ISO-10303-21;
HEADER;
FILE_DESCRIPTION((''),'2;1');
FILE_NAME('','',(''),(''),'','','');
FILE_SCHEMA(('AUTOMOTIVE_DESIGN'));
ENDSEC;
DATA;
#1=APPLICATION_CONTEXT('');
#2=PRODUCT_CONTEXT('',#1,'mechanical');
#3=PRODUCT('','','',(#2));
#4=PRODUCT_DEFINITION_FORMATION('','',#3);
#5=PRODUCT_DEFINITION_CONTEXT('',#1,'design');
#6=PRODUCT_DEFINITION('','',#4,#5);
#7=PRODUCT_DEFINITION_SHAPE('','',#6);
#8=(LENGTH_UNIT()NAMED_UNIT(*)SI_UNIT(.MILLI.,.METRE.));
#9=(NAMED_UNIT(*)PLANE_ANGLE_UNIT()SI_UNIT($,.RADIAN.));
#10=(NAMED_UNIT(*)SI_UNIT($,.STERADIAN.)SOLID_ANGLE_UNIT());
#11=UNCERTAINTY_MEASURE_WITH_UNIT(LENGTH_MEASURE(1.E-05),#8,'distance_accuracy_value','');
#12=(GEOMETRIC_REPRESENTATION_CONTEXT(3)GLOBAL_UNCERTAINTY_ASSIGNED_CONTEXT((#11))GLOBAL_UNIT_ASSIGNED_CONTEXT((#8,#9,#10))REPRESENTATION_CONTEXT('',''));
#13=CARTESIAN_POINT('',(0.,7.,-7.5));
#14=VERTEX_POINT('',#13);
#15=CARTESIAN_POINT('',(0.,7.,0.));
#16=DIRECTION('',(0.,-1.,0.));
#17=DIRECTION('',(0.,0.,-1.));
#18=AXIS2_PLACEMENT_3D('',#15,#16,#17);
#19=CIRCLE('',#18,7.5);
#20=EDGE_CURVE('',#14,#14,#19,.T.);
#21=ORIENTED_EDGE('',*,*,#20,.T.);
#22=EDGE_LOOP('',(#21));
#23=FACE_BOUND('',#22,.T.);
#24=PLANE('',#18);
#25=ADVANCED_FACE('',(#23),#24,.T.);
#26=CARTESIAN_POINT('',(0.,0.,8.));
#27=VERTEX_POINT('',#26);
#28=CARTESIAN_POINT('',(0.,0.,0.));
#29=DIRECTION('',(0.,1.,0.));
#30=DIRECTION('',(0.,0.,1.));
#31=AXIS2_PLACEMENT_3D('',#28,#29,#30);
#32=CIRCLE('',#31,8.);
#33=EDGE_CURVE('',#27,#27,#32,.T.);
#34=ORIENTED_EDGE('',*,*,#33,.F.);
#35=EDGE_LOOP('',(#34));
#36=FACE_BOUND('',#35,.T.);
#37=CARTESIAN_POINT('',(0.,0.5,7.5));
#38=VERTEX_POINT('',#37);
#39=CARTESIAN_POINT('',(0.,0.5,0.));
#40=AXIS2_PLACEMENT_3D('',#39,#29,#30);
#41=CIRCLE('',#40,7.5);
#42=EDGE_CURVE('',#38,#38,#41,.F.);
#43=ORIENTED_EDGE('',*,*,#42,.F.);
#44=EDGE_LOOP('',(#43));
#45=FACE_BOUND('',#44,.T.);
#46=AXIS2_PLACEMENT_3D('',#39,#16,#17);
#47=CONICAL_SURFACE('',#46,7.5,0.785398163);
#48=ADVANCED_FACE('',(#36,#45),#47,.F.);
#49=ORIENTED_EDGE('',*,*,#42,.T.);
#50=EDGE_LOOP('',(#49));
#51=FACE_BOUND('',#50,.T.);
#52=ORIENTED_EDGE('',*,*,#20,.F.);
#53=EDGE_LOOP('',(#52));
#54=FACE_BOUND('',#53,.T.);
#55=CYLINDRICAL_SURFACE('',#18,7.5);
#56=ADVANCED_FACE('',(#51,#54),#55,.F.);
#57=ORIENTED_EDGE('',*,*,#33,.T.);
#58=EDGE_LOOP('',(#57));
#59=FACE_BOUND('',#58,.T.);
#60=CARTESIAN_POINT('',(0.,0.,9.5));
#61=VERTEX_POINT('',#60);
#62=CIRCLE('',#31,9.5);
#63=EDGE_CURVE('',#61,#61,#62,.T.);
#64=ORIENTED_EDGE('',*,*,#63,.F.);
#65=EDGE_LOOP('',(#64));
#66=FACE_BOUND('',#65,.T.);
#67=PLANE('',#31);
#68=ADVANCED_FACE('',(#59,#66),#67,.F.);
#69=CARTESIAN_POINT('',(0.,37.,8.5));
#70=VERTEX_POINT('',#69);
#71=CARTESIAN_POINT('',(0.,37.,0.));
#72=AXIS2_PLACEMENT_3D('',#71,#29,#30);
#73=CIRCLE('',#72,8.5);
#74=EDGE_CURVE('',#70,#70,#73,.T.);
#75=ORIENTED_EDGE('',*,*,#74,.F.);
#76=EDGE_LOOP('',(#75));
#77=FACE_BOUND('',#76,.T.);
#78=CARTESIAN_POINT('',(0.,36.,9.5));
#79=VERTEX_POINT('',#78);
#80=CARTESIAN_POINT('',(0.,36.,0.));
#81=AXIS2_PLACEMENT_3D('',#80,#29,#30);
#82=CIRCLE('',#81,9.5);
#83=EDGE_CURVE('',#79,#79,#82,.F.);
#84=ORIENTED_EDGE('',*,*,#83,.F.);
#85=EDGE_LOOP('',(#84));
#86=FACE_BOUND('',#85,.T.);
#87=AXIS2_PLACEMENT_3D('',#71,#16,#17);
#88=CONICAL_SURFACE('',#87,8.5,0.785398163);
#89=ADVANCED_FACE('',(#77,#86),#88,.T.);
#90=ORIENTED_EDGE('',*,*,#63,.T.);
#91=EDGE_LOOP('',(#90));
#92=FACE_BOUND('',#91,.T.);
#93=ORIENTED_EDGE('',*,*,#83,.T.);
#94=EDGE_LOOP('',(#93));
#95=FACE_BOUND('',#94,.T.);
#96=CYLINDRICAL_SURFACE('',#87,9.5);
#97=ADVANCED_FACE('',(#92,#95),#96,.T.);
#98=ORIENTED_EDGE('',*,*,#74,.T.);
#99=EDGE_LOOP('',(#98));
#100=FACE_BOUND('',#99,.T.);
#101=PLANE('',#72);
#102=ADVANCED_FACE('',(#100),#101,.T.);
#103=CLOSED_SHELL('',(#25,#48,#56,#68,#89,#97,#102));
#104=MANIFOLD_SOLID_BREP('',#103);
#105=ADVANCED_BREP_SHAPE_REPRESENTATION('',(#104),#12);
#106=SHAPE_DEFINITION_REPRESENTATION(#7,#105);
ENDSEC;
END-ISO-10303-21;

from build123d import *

# Parameters (mm, degrees)
SKETCH_1_R          = 9.5
EXTRUDE_1_DEPTH     = 37
SKETCH_2_R          = 7.5
CUT_EXTRUDE_1_DEPTH = 7
CHAMFER_1_SIZE      = 1
CHAMFER_2_SIZE      = 0.5


with BuildPart() as part:
    # 草图1 → 凸台-拉伸1 (new body)
    with BuildSketch(Plane(origin=(0, 0, 0), x_dir=(1, 0, 0), z_dir=(0, 1, 0))):
        with Locations(Location((0, 0, 0), (0, 0, 270))):
            Circle(SKETCH_1_R)
    extrude(amount=EXTRUDE_1_DEPTH)

    # 草图2 → 切除-拉伸1 (cut)
    with BuildSketch(Plane.XZ):
        with Locations(Location((0, 0, 0), (0, 0, 270))):
            Circle(SKETCH_2_R)
    extrude(amount=-CUT_EXTRUDE_1_DEPTH, mode=Mode.SUBTRACT)

    # 倒角1
    chamfer_1_edges = [part.edges().sort_by_distance(p)[0] for p in [
        (0, 37, -9.5),
    ]]
    chamfer(chamfer_1_edges, length=CHAMFER_1_SIZE)

    # 倒角2
    chamfer_2_edges = [part.edges().sort_by_distance(p)[0] for p in [
        (0, 0, 7.5),
    ]]
    chamfer(chamfer_2_edges, length=CHAMFER_2_SIZE)


solid = part.part
